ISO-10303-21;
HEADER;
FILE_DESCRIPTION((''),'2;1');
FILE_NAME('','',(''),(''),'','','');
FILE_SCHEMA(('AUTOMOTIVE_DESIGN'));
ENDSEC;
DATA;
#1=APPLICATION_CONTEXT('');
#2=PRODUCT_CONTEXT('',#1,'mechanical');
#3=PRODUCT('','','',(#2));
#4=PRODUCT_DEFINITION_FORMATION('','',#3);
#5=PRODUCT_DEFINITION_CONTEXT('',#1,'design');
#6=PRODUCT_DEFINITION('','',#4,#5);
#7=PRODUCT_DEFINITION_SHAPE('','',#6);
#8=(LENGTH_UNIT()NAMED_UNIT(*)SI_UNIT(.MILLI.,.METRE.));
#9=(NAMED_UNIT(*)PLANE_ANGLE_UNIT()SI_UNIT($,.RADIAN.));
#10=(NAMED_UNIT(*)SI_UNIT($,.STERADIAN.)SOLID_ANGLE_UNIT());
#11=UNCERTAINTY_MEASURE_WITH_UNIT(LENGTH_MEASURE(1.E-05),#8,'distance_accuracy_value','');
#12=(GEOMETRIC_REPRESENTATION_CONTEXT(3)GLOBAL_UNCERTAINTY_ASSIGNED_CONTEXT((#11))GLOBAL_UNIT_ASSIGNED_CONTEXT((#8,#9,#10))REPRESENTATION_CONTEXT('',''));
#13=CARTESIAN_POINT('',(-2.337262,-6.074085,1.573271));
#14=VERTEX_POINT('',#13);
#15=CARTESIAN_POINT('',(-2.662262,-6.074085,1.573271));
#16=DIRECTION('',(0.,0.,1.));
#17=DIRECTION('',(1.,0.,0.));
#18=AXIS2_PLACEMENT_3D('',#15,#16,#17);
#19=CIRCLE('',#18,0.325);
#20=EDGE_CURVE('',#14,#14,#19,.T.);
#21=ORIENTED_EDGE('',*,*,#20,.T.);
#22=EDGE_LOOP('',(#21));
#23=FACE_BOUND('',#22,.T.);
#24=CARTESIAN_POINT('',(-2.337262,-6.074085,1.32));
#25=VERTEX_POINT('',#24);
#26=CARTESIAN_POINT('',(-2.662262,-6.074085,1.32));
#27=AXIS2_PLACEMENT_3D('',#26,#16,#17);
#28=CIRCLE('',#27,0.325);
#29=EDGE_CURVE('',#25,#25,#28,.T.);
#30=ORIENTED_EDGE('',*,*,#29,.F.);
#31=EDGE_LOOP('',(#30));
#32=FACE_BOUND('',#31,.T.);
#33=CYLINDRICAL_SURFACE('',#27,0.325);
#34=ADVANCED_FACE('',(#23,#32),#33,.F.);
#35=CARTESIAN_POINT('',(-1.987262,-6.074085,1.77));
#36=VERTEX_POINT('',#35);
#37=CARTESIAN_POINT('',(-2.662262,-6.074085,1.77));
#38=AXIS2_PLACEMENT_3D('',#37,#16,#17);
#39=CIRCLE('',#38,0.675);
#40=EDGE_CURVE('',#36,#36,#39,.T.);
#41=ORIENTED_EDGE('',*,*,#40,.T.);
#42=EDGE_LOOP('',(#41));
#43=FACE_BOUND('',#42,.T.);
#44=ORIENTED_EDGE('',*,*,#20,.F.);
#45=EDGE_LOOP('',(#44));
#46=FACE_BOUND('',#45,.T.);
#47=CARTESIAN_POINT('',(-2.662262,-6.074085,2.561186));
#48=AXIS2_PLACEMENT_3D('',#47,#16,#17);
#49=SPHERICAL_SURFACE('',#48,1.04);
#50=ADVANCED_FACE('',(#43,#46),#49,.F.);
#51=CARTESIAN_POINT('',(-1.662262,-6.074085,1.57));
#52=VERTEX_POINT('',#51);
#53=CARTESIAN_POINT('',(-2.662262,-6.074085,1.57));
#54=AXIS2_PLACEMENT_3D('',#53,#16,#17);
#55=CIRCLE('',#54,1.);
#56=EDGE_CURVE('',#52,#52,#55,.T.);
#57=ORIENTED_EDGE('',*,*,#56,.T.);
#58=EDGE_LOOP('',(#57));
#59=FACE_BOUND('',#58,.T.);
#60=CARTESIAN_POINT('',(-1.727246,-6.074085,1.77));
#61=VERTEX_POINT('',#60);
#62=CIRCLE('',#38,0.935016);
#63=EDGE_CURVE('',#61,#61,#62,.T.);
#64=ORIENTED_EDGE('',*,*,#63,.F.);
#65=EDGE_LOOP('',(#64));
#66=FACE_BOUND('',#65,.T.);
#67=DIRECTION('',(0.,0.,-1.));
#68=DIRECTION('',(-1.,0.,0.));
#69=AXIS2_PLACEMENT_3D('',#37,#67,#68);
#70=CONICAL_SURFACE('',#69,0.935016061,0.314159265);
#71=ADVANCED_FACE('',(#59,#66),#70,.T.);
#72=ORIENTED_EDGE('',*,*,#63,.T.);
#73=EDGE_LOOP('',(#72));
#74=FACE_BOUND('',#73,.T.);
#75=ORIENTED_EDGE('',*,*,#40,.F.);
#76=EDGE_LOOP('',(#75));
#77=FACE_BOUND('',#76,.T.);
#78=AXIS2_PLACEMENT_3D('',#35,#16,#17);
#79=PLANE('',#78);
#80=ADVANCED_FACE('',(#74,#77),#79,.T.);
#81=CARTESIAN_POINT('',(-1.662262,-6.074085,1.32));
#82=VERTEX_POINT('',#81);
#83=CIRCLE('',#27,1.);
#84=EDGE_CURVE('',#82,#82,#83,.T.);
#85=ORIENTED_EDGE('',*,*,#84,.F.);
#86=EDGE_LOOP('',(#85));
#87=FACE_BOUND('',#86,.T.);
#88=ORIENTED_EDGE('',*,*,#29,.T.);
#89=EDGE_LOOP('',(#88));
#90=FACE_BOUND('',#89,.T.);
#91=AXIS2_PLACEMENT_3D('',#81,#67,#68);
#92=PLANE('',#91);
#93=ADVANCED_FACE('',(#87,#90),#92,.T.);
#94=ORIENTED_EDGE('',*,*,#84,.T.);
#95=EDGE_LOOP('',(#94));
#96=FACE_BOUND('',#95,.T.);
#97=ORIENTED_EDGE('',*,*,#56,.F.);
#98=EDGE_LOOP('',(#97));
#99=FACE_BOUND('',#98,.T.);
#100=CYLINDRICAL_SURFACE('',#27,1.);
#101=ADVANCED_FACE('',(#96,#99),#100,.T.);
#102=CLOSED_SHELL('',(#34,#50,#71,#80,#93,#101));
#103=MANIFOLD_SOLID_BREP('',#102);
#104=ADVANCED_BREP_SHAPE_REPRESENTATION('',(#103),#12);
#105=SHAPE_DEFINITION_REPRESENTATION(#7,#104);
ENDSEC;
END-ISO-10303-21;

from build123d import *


with BuildPart() as part:
    # Sketch1 → Revolve1 (revolve)
    with BuildSketch(Plane(origin=(0, -6.0740848, 0), x_dir=(1, 0, 0), z_dir=(0, 1, 0))):
        with BuildLine():
            Line((-1.662261998, -1.57), (-1.662261998, -1.32))
            Line((-1.662261998, -1.32), (-2.337261998, -1.32))
            Line((-2.337261998, -1.32), (-2.337261998, -1.573271349))
            ThreePointArc((-2.337261998, -1.573271349), (-2.152678305, -1.654585323), (-1.987261998, -1.77))
            Line((-1.987261998, -1.77), (-1.727245938, -1.77))
            Line((-1.727245938, -1.77), (-1.662261998, -1.57))
        make_face()
    revolve(axis=Axis((-2.662261998, -6.0740848, 1.32), (0, 0, 1)))


solid = part.part
